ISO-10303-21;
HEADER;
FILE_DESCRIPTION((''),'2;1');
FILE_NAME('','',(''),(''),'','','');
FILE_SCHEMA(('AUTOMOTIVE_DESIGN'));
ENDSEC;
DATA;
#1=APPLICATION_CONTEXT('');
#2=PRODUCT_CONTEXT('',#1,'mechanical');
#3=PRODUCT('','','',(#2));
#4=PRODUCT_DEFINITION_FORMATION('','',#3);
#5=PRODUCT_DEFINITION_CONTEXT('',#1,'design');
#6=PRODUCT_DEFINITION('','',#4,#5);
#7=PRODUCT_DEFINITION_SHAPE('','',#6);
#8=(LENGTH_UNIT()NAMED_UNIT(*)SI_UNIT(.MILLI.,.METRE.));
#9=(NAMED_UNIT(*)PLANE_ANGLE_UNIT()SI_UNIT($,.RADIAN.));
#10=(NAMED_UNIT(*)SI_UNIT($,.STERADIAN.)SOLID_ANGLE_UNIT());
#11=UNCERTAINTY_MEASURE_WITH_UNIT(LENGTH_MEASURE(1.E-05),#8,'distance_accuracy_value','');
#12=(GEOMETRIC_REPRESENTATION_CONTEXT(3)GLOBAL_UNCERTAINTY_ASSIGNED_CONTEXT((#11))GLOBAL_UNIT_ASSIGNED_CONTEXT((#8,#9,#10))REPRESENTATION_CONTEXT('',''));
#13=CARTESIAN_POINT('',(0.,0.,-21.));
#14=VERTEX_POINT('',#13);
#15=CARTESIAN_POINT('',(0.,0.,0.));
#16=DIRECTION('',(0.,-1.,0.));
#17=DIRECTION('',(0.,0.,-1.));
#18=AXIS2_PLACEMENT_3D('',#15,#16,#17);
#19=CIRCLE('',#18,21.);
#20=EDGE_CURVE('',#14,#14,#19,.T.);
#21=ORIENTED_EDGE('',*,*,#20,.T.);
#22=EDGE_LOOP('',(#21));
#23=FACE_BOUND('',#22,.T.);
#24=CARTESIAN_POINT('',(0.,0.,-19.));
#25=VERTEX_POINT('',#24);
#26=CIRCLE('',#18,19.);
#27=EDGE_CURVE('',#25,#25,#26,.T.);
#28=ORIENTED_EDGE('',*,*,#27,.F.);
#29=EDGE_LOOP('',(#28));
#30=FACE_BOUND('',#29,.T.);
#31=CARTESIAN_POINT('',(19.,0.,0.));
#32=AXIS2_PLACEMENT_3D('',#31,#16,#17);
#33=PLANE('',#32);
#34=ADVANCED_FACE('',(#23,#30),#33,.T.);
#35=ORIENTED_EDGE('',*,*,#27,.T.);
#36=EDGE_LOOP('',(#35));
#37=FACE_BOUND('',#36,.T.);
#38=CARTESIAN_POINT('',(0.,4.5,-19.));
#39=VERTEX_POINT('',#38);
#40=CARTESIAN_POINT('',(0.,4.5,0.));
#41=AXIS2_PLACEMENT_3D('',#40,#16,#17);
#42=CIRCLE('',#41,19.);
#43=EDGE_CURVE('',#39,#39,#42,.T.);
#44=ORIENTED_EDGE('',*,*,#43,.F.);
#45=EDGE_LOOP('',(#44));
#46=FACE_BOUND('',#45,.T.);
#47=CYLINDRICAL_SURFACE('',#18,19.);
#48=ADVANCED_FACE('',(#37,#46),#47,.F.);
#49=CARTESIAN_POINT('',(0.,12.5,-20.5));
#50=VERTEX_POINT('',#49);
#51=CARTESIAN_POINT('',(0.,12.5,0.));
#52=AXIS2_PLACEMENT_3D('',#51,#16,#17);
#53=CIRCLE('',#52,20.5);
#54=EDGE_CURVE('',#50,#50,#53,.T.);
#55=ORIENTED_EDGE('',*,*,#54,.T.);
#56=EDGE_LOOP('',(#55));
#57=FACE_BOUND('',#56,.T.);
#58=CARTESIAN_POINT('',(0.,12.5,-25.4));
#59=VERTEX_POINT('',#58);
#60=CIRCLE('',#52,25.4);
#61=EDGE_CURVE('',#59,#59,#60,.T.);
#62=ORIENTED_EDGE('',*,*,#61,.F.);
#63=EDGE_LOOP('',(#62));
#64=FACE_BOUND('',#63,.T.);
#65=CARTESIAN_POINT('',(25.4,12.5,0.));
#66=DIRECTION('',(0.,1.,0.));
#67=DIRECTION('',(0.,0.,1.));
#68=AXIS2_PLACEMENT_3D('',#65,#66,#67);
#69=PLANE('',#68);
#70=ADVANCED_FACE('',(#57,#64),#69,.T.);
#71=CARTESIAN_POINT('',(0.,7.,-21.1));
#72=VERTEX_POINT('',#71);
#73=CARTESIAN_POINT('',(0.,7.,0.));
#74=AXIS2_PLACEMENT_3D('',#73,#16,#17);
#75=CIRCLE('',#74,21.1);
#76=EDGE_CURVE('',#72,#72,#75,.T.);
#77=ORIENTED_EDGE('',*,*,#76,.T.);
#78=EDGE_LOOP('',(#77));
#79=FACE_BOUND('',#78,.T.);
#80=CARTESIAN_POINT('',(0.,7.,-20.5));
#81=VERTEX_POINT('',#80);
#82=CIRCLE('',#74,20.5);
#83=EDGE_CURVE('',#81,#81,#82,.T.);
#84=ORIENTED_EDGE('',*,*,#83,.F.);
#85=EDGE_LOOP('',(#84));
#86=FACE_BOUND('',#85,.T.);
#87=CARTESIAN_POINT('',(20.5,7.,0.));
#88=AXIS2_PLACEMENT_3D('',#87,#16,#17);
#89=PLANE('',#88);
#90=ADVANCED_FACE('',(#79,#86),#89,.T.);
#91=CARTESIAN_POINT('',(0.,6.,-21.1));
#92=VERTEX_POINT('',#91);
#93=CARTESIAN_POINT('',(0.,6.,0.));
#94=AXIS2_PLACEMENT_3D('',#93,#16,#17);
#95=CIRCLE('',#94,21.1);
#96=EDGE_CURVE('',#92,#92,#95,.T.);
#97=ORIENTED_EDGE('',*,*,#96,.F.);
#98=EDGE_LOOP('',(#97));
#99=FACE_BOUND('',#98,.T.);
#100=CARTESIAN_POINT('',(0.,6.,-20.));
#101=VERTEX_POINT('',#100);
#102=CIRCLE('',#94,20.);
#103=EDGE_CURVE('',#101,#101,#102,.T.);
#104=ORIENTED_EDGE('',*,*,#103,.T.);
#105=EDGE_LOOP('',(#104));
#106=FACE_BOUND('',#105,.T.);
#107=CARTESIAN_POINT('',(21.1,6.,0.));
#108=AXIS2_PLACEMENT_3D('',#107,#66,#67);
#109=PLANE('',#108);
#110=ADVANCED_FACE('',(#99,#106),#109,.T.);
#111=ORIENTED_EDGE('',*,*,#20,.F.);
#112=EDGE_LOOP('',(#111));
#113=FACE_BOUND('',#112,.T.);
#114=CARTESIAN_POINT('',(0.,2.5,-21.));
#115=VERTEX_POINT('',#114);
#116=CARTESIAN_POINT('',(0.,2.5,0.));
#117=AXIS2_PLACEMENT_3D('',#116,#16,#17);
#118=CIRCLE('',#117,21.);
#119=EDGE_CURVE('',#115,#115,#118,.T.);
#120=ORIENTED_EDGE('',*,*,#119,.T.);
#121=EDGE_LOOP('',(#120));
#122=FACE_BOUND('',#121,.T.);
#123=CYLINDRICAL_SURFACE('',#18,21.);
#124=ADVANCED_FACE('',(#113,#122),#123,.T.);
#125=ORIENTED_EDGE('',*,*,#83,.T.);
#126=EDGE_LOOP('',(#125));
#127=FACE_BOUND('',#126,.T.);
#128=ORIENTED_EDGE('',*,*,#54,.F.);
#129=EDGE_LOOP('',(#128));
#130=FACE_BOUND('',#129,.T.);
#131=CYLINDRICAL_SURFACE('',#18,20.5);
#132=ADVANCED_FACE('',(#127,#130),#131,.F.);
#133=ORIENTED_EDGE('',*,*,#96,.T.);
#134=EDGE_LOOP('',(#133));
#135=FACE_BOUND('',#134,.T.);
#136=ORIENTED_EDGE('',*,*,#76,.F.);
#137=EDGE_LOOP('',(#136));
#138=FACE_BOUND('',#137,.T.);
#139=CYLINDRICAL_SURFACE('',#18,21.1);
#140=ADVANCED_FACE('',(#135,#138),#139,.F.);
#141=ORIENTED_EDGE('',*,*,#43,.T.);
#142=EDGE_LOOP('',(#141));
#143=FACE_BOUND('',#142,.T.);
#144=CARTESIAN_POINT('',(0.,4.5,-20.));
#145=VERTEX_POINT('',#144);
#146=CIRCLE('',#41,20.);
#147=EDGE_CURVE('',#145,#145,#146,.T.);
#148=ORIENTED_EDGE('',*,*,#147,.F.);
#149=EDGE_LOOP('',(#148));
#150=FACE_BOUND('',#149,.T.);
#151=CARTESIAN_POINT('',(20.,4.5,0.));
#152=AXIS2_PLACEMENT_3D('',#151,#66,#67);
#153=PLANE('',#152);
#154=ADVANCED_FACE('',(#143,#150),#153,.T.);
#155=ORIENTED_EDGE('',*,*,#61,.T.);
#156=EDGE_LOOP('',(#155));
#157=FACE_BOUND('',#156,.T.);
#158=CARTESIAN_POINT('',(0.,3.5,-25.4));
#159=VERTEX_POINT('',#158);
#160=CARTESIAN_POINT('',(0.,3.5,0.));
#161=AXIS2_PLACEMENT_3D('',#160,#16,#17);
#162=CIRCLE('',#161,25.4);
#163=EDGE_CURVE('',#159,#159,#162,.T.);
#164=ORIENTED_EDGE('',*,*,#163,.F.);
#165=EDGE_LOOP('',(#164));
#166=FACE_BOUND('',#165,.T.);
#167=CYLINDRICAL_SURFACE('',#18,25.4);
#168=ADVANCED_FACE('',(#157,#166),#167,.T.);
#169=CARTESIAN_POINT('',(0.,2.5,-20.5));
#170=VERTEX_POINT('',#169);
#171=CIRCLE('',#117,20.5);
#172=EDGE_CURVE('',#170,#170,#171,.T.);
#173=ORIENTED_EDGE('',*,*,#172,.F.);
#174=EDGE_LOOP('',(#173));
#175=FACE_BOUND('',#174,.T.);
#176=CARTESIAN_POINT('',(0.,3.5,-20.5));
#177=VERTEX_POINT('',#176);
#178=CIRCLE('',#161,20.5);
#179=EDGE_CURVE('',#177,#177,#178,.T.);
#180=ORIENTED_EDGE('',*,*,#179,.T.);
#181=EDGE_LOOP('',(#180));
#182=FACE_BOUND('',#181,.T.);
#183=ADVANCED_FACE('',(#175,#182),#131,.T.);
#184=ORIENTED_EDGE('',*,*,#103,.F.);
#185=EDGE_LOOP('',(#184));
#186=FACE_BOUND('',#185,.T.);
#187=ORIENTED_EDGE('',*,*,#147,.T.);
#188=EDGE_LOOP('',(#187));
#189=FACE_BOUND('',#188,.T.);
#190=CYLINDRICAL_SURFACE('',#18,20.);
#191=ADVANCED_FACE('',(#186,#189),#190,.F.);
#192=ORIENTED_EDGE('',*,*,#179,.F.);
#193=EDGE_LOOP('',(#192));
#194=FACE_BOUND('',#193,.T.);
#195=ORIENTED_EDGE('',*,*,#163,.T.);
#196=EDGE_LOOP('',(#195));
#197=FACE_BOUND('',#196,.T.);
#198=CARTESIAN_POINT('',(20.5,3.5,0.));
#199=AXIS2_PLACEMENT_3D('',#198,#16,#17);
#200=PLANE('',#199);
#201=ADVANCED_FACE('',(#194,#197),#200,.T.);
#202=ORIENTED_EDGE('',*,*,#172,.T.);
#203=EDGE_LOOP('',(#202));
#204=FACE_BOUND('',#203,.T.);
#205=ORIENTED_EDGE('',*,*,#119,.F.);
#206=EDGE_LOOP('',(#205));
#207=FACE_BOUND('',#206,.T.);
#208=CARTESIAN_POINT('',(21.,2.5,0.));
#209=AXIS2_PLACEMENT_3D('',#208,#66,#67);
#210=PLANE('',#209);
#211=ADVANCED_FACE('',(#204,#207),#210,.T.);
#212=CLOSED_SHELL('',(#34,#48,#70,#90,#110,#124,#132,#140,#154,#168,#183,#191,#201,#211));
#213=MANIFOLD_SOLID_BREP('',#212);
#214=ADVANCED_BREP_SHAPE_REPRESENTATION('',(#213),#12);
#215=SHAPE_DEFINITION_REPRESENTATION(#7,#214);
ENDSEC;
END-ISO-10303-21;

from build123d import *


with BuildPart() as part:
    # 草图1 → 旋转1 (revolve)
    with BuildSketch(Plane.XY, mode=Mode.PRIVATE) as revolve_1_sk:
        Polygon((19, 0), (21, 0), (21, 2.5), (20.5, 2.5), (20.5, 3.5), (25.4, 3.5), (25.4, 12.5), (20.5, 12.5), (20.5, 7), (21.1, 7), (21.1, 6), (20, 6), (20, 4.5), (19, 4.5), align=None)
    revolve(revolve_1_sk.sketch.rotate(Axis((0, 0, 0), (0, 1, 0)), 90), axis=Axis((0, 0, 0), (0, 1, 0)))  # turned: the seam where the file's is


solid = part.part
